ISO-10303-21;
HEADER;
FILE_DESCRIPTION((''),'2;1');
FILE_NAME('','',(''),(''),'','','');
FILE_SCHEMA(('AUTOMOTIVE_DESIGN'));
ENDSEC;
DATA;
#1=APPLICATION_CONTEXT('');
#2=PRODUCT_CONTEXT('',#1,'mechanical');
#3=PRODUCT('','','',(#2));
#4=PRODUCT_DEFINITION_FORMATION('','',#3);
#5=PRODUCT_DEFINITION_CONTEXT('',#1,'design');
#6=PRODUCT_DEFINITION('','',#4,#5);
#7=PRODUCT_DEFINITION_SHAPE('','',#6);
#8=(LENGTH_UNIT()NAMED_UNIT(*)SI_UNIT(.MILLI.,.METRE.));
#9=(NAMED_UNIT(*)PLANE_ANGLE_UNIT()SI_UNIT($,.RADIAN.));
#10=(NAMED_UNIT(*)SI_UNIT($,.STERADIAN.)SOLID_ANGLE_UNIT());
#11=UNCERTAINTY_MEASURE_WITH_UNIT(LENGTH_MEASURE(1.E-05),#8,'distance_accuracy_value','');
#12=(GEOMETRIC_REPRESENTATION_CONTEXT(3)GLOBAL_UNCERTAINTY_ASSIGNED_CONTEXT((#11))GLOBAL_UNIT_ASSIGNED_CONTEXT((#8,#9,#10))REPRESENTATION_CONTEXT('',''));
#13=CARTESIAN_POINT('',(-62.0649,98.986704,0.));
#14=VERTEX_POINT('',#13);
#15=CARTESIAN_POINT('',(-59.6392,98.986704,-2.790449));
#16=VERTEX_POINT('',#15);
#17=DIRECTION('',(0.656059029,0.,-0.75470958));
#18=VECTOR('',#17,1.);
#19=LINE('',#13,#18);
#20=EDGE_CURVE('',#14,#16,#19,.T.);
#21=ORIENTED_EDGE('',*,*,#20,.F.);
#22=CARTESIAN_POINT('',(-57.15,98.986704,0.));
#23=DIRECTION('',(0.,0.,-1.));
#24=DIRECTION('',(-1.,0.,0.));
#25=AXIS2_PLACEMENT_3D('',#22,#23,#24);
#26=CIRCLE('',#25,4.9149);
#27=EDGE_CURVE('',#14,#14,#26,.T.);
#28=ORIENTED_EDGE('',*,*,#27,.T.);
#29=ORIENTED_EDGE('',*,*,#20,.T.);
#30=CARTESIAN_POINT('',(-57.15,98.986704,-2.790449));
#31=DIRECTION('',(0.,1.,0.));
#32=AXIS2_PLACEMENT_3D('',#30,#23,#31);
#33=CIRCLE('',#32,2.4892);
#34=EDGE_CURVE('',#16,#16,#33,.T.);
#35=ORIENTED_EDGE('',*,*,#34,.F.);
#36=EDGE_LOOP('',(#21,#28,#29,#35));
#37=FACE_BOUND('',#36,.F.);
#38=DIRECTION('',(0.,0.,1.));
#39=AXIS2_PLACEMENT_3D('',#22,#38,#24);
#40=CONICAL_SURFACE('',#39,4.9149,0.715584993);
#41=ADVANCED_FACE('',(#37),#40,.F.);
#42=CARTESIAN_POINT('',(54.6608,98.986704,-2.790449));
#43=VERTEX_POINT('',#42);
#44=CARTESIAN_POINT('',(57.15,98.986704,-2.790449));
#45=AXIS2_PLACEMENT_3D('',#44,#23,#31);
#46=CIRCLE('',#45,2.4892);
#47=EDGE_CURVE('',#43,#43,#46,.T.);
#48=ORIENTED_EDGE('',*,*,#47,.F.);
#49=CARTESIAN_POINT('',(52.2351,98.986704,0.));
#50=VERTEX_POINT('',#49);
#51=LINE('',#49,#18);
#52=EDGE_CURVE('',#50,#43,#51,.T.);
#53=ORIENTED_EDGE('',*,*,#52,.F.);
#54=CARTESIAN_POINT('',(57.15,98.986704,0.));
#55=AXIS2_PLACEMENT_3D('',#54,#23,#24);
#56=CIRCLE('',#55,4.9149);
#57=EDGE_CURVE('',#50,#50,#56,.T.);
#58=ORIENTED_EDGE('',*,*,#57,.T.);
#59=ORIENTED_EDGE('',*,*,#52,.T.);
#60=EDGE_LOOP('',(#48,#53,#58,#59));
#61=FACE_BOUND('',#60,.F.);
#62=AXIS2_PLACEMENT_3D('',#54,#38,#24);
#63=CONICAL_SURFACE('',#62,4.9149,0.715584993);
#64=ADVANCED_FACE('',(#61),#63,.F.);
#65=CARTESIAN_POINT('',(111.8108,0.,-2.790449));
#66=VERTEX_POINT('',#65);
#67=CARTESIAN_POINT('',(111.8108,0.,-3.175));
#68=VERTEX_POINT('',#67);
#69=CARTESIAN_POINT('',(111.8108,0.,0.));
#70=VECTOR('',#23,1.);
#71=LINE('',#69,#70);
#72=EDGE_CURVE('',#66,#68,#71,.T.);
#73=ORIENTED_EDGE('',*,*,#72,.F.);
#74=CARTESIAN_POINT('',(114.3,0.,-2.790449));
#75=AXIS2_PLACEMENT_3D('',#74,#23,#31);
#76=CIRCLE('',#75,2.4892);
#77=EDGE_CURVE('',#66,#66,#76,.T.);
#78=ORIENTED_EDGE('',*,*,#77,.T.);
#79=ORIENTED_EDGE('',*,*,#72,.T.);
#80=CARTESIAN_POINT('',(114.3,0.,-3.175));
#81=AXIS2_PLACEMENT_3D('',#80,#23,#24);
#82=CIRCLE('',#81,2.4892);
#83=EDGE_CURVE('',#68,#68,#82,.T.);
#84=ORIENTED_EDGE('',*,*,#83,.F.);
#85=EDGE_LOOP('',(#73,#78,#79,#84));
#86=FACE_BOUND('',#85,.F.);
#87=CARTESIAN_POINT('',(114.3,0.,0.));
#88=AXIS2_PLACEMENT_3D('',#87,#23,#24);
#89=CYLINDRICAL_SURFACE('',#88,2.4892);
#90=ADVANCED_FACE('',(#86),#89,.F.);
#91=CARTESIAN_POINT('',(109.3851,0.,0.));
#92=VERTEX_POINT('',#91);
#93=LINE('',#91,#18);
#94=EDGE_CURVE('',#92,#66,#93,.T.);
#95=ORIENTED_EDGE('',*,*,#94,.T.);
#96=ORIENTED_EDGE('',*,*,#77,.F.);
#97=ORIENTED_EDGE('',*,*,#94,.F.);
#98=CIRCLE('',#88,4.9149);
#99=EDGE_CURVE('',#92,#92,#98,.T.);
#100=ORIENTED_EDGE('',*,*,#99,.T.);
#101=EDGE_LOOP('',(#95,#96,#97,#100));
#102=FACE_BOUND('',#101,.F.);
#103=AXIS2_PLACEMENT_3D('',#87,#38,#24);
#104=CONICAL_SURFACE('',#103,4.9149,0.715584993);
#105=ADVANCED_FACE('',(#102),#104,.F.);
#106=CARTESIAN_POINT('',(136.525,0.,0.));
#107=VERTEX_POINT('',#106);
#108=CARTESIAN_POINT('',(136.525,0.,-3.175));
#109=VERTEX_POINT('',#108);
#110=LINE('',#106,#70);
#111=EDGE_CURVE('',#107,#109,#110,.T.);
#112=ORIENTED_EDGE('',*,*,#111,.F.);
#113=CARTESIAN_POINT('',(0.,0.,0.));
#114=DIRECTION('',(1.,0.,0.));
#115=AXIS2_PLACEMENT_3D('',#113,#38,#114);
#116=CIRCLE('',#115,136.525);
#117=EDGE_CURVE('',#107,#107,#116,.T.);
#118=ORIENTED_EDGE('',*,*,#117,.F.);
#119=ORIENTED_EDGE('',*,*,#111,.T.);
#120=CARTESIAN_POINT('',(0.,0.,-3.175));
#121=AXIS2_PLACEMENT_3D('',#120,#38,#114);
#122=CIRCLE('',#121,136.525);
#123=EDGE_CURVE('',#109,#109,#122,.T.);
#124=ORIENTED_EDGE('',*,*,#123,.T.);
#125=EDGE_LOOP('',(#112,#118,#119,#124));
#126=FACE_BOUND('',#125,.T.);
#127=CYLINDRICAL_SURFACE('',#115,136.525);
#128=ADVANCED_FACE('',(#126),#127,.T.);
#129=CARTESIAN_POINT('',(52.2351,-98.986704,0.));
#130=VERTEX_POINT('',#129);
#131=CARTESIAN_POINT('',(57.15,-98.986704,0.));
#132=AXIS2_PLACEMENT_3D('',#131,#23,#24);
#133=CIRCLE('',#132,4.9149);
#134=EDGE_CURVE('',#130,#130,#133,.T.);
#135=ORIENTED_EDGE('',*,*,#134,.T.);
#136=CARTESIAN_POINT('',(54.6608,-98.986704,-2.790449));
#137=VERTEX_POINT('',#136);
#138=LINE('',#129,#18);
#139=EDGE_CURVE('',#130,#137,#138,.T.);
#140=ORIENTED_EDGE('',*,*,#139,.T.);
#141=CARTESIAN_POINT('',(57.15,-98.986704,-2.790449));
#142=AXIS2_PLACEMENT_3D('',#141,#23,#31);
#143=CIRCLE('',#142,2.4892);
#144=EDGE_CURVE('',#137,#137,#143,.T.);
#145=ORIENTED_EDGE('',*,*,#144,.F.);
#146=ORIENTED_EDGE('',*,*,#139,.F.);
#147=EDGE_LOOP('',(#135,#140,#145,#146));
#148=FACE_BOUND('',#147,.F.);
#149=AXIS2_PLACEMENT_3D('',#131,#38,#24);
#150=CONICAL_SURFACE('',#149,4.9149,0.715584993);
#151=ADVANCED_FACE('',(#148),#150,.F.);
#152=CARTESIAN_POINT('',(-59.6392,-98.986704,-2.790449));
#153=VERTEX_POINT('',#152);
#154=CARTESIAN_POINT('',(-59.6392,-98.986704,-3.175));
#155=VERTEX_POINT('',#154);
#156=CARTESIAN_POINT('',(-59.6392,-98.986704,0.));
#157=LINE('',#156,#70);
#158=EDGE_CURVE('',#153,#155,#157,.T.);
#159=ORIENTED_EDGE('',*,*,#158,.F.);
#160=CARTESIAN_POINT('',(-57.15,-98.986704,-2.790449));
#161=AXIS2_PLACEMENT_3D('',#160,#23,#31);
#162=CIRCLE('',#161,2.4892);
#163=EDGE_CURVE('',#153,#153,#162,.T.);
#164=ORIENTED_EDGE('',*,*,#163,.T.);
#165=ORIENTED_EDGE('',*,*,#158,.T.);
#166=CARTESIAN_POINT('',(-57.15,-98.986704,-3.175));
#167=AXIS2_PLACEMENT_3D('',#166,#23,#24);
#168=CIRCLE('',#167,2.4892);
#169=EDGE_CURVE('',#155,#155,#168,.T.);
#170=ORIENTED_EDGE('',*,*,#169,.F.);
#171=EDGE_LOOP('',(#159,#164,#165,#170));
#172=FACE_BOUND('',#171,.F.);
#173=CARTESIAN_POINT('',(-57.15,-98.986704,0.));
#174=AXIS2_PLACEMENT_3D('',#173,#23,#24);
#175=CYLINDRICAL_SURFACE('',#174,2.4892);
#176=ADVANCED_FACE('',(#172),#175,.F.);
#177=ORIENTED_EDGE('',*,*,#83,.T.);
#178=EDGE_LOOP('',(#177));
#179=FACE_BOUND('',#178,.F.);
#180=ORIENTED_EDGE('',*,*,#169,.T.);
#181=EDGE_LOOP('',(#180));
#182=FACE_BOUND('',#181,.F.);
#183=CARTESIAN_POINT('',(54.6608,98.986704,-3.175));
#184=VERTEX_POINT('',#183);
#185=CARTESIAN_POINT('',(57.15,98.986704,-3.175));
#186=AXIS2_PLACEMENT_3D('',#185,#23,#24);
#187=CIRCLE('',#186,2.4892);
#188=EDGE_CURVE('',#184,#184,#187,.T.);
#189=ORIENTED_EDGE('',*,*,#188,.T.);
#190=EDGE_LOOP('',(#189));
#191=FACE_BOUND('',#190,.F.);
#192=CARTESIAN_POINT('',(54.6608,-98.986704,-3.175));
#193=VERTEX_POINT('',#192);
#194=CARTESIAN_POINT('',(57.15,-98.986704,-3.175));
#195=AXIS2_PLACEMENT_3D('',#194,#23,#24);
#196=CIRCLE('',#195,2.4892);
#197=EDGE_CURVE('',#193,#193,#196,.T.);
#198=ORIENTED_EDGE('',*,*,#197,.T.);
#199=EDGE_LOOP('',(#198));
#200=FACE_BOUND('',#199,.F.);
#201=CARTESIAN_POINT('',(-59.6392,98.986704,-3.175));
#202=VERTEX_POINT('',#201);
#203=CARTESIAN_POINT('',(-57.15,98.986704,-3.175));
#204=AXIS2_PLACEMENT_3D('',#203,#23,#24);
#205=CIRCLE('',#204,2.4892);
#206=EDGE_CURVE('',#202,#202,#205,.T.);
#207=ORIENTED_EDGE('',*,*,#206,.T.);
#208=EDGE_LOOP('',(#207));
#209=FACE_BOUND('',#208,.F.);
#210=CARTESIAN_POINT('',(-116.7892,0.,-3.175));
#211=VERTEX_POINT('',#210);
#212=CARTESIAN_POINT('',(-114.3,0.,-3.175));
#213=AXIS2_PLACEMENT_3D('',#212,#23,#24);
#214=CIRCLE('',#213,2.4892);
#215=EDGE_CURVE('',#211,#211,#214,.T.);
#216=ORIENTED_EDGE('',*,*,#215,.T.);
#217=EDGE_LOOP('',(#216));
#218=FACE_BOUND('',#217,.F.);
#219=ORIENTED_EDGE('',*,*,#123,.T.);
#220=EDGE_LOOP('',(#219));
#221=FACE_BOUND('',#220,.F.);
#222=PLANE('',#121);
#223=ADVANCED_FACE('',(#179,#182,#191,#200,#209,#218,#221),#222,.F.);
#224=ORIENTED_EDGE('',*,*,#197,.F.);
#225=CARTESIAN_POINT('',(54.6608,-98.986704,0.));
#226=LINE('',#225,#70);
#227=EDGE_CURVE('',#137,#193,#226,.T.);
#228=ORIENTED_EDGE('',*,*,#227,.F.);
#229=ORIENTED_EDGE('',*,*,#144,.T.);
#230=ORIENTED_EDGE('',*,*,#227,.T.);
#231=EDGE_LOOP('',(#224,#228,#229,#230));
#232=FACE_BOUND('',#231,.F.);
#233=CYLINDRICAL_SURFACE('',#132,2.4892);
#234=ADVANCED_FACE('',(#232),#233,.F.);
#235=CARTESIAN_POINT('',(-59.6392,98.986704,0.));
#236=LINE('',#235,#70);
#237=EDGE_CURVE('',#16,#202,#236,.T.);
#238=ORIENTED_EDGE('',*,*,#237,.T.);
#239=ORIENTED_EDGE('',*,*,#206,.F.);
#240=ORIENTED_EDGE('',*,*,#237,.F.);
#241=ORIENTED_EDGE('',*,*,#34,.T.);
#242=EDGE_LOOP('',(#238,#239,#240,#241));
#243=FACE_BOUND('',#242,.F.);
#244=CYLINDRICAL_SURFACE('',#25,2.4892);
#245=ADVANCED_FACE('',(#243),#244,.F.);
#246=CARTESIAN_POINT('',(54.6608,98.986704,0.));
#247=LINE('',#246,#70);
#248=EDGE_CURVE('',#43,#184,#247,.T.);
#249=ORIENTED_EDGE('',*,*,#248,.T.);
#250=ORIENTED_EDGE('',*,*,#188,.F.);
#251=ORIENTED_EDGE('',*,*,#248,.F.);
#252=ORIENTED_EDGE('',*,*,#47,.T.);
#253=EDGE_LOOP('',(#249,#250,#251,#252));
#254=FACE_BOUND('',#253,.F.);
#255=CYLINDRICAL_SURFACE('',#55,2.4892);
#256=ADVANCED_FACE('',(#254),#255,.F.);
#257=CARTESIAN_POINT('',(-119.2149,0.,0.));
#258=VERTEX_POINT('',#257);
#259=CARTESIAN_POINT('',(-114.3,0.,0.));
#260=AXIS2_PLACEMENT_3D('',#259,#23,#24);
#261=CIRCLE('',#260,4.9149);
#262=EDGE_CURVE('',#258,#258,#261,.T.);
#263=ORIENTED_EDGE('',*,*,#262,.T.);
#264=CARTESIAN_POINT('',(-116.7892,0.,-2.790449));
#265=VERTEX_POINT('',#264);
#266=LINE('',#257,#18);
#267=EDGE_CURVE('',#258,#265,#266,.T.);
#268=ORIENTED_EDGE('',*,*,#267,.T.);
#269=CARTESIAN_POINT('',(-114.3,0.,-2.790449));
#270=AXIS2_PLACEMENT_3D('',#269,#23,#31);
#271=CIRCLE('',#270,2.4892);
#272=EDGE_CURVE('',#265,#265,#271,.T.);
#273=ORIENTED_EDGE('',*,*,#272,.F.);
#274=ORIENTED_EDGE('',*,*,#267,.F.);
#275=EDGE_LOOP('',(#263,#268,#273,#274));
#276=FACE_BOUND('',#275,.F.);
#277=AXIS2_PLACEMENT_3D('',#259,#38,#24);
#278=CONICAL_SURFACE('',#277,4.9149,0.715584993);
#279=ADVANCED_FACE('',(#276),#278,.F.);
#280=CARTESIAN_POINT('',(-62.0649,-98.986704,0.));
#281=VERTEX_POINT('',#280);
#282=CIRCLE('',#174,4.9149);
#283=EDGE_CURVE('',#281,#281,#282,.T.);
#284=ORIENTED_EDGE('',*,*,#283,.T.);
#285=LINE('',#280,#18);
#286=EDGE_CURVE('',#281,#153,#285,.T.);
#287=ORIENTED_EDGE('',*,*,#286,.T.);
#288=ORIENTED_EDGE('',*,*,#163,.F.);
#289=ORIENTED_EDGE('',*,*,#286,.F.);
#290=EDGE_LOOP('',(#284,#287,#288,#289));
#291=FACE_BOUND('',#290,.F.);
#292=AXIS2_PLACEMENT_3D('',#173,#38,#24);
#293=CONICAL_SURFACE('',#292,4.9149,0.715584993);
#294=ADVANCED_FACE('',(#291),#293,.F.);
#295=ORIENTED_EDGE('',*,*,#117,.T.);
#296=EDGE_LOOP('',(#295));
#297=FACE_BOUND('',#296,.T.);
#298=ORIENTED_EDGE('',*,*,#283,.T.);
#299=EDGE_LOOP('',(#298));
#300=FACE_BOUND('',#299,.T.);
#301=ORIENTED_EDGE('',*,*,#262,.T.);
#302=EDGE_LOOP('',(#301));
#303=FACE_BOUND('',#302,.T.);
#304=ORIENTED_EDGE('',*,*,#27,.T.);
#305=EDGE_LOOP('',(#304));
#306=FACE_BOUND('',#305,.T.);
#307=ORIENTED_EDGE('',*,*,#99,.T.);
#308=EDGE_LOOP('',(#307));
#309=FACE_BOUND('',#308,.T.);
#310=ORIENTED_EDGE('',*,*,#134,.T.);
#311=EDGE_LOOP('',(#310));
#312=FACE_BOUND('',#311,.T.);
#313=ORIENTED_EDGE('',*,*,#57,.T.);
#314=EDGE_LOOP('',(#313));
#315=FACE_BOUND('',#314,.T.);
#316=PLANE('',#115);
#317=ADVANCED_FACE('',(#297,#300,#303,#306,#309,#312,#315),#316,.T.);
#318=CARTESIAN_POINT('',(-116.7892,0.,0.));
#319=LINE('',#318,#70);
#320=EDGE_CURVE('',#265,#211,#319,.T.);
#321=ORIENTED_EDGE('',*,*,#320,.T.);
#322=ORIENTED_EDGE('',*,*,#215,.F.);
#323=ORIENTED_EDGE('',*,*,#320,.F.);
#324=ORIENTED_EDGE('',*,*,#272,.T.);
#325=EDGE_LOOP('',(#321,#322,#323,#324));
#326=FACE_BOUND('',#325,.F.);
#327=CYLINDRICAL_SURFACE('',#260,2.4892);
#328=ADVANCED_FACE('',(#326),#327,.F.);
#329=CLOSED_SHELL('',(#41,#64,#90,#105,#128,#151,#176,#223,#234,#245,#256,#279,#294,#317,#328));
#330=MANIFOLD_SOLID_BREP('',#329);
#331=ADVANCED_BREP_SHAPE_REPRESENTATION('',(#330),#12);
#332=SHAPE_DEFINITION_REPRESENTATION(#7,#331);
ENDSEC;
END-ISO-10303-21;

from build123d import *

# Parameters (mm, degrees)
F0_R           = 136.525
F1_DEPTH       = 3.175
F3_D           = 4.9784
F3_CSINK_D     = 9.8298
F3_CSINK_ANGLE = 82


with BuildPart() as f1:
    # F0 (on Top) → F1 (new body)
    with BuildSketch(Plane.XY):
        Circle(F0_R)
    extrude(amount=-F1_DEPTH)

    # F3 (through all)
    with Locations(Plane.XY):
        with Locations((-114.3, 0), (-57.15, 98.986704), (57.15, 98.986704), (114.3, 0), (57.15, -98.986704), (-57.15, -98.986704)):
            CounterSinkHole(F3_D / 2, F3_CSINK_D / 2, counter_sink_angle=F3_CSINK_ANGLE)


solid = f1.part
